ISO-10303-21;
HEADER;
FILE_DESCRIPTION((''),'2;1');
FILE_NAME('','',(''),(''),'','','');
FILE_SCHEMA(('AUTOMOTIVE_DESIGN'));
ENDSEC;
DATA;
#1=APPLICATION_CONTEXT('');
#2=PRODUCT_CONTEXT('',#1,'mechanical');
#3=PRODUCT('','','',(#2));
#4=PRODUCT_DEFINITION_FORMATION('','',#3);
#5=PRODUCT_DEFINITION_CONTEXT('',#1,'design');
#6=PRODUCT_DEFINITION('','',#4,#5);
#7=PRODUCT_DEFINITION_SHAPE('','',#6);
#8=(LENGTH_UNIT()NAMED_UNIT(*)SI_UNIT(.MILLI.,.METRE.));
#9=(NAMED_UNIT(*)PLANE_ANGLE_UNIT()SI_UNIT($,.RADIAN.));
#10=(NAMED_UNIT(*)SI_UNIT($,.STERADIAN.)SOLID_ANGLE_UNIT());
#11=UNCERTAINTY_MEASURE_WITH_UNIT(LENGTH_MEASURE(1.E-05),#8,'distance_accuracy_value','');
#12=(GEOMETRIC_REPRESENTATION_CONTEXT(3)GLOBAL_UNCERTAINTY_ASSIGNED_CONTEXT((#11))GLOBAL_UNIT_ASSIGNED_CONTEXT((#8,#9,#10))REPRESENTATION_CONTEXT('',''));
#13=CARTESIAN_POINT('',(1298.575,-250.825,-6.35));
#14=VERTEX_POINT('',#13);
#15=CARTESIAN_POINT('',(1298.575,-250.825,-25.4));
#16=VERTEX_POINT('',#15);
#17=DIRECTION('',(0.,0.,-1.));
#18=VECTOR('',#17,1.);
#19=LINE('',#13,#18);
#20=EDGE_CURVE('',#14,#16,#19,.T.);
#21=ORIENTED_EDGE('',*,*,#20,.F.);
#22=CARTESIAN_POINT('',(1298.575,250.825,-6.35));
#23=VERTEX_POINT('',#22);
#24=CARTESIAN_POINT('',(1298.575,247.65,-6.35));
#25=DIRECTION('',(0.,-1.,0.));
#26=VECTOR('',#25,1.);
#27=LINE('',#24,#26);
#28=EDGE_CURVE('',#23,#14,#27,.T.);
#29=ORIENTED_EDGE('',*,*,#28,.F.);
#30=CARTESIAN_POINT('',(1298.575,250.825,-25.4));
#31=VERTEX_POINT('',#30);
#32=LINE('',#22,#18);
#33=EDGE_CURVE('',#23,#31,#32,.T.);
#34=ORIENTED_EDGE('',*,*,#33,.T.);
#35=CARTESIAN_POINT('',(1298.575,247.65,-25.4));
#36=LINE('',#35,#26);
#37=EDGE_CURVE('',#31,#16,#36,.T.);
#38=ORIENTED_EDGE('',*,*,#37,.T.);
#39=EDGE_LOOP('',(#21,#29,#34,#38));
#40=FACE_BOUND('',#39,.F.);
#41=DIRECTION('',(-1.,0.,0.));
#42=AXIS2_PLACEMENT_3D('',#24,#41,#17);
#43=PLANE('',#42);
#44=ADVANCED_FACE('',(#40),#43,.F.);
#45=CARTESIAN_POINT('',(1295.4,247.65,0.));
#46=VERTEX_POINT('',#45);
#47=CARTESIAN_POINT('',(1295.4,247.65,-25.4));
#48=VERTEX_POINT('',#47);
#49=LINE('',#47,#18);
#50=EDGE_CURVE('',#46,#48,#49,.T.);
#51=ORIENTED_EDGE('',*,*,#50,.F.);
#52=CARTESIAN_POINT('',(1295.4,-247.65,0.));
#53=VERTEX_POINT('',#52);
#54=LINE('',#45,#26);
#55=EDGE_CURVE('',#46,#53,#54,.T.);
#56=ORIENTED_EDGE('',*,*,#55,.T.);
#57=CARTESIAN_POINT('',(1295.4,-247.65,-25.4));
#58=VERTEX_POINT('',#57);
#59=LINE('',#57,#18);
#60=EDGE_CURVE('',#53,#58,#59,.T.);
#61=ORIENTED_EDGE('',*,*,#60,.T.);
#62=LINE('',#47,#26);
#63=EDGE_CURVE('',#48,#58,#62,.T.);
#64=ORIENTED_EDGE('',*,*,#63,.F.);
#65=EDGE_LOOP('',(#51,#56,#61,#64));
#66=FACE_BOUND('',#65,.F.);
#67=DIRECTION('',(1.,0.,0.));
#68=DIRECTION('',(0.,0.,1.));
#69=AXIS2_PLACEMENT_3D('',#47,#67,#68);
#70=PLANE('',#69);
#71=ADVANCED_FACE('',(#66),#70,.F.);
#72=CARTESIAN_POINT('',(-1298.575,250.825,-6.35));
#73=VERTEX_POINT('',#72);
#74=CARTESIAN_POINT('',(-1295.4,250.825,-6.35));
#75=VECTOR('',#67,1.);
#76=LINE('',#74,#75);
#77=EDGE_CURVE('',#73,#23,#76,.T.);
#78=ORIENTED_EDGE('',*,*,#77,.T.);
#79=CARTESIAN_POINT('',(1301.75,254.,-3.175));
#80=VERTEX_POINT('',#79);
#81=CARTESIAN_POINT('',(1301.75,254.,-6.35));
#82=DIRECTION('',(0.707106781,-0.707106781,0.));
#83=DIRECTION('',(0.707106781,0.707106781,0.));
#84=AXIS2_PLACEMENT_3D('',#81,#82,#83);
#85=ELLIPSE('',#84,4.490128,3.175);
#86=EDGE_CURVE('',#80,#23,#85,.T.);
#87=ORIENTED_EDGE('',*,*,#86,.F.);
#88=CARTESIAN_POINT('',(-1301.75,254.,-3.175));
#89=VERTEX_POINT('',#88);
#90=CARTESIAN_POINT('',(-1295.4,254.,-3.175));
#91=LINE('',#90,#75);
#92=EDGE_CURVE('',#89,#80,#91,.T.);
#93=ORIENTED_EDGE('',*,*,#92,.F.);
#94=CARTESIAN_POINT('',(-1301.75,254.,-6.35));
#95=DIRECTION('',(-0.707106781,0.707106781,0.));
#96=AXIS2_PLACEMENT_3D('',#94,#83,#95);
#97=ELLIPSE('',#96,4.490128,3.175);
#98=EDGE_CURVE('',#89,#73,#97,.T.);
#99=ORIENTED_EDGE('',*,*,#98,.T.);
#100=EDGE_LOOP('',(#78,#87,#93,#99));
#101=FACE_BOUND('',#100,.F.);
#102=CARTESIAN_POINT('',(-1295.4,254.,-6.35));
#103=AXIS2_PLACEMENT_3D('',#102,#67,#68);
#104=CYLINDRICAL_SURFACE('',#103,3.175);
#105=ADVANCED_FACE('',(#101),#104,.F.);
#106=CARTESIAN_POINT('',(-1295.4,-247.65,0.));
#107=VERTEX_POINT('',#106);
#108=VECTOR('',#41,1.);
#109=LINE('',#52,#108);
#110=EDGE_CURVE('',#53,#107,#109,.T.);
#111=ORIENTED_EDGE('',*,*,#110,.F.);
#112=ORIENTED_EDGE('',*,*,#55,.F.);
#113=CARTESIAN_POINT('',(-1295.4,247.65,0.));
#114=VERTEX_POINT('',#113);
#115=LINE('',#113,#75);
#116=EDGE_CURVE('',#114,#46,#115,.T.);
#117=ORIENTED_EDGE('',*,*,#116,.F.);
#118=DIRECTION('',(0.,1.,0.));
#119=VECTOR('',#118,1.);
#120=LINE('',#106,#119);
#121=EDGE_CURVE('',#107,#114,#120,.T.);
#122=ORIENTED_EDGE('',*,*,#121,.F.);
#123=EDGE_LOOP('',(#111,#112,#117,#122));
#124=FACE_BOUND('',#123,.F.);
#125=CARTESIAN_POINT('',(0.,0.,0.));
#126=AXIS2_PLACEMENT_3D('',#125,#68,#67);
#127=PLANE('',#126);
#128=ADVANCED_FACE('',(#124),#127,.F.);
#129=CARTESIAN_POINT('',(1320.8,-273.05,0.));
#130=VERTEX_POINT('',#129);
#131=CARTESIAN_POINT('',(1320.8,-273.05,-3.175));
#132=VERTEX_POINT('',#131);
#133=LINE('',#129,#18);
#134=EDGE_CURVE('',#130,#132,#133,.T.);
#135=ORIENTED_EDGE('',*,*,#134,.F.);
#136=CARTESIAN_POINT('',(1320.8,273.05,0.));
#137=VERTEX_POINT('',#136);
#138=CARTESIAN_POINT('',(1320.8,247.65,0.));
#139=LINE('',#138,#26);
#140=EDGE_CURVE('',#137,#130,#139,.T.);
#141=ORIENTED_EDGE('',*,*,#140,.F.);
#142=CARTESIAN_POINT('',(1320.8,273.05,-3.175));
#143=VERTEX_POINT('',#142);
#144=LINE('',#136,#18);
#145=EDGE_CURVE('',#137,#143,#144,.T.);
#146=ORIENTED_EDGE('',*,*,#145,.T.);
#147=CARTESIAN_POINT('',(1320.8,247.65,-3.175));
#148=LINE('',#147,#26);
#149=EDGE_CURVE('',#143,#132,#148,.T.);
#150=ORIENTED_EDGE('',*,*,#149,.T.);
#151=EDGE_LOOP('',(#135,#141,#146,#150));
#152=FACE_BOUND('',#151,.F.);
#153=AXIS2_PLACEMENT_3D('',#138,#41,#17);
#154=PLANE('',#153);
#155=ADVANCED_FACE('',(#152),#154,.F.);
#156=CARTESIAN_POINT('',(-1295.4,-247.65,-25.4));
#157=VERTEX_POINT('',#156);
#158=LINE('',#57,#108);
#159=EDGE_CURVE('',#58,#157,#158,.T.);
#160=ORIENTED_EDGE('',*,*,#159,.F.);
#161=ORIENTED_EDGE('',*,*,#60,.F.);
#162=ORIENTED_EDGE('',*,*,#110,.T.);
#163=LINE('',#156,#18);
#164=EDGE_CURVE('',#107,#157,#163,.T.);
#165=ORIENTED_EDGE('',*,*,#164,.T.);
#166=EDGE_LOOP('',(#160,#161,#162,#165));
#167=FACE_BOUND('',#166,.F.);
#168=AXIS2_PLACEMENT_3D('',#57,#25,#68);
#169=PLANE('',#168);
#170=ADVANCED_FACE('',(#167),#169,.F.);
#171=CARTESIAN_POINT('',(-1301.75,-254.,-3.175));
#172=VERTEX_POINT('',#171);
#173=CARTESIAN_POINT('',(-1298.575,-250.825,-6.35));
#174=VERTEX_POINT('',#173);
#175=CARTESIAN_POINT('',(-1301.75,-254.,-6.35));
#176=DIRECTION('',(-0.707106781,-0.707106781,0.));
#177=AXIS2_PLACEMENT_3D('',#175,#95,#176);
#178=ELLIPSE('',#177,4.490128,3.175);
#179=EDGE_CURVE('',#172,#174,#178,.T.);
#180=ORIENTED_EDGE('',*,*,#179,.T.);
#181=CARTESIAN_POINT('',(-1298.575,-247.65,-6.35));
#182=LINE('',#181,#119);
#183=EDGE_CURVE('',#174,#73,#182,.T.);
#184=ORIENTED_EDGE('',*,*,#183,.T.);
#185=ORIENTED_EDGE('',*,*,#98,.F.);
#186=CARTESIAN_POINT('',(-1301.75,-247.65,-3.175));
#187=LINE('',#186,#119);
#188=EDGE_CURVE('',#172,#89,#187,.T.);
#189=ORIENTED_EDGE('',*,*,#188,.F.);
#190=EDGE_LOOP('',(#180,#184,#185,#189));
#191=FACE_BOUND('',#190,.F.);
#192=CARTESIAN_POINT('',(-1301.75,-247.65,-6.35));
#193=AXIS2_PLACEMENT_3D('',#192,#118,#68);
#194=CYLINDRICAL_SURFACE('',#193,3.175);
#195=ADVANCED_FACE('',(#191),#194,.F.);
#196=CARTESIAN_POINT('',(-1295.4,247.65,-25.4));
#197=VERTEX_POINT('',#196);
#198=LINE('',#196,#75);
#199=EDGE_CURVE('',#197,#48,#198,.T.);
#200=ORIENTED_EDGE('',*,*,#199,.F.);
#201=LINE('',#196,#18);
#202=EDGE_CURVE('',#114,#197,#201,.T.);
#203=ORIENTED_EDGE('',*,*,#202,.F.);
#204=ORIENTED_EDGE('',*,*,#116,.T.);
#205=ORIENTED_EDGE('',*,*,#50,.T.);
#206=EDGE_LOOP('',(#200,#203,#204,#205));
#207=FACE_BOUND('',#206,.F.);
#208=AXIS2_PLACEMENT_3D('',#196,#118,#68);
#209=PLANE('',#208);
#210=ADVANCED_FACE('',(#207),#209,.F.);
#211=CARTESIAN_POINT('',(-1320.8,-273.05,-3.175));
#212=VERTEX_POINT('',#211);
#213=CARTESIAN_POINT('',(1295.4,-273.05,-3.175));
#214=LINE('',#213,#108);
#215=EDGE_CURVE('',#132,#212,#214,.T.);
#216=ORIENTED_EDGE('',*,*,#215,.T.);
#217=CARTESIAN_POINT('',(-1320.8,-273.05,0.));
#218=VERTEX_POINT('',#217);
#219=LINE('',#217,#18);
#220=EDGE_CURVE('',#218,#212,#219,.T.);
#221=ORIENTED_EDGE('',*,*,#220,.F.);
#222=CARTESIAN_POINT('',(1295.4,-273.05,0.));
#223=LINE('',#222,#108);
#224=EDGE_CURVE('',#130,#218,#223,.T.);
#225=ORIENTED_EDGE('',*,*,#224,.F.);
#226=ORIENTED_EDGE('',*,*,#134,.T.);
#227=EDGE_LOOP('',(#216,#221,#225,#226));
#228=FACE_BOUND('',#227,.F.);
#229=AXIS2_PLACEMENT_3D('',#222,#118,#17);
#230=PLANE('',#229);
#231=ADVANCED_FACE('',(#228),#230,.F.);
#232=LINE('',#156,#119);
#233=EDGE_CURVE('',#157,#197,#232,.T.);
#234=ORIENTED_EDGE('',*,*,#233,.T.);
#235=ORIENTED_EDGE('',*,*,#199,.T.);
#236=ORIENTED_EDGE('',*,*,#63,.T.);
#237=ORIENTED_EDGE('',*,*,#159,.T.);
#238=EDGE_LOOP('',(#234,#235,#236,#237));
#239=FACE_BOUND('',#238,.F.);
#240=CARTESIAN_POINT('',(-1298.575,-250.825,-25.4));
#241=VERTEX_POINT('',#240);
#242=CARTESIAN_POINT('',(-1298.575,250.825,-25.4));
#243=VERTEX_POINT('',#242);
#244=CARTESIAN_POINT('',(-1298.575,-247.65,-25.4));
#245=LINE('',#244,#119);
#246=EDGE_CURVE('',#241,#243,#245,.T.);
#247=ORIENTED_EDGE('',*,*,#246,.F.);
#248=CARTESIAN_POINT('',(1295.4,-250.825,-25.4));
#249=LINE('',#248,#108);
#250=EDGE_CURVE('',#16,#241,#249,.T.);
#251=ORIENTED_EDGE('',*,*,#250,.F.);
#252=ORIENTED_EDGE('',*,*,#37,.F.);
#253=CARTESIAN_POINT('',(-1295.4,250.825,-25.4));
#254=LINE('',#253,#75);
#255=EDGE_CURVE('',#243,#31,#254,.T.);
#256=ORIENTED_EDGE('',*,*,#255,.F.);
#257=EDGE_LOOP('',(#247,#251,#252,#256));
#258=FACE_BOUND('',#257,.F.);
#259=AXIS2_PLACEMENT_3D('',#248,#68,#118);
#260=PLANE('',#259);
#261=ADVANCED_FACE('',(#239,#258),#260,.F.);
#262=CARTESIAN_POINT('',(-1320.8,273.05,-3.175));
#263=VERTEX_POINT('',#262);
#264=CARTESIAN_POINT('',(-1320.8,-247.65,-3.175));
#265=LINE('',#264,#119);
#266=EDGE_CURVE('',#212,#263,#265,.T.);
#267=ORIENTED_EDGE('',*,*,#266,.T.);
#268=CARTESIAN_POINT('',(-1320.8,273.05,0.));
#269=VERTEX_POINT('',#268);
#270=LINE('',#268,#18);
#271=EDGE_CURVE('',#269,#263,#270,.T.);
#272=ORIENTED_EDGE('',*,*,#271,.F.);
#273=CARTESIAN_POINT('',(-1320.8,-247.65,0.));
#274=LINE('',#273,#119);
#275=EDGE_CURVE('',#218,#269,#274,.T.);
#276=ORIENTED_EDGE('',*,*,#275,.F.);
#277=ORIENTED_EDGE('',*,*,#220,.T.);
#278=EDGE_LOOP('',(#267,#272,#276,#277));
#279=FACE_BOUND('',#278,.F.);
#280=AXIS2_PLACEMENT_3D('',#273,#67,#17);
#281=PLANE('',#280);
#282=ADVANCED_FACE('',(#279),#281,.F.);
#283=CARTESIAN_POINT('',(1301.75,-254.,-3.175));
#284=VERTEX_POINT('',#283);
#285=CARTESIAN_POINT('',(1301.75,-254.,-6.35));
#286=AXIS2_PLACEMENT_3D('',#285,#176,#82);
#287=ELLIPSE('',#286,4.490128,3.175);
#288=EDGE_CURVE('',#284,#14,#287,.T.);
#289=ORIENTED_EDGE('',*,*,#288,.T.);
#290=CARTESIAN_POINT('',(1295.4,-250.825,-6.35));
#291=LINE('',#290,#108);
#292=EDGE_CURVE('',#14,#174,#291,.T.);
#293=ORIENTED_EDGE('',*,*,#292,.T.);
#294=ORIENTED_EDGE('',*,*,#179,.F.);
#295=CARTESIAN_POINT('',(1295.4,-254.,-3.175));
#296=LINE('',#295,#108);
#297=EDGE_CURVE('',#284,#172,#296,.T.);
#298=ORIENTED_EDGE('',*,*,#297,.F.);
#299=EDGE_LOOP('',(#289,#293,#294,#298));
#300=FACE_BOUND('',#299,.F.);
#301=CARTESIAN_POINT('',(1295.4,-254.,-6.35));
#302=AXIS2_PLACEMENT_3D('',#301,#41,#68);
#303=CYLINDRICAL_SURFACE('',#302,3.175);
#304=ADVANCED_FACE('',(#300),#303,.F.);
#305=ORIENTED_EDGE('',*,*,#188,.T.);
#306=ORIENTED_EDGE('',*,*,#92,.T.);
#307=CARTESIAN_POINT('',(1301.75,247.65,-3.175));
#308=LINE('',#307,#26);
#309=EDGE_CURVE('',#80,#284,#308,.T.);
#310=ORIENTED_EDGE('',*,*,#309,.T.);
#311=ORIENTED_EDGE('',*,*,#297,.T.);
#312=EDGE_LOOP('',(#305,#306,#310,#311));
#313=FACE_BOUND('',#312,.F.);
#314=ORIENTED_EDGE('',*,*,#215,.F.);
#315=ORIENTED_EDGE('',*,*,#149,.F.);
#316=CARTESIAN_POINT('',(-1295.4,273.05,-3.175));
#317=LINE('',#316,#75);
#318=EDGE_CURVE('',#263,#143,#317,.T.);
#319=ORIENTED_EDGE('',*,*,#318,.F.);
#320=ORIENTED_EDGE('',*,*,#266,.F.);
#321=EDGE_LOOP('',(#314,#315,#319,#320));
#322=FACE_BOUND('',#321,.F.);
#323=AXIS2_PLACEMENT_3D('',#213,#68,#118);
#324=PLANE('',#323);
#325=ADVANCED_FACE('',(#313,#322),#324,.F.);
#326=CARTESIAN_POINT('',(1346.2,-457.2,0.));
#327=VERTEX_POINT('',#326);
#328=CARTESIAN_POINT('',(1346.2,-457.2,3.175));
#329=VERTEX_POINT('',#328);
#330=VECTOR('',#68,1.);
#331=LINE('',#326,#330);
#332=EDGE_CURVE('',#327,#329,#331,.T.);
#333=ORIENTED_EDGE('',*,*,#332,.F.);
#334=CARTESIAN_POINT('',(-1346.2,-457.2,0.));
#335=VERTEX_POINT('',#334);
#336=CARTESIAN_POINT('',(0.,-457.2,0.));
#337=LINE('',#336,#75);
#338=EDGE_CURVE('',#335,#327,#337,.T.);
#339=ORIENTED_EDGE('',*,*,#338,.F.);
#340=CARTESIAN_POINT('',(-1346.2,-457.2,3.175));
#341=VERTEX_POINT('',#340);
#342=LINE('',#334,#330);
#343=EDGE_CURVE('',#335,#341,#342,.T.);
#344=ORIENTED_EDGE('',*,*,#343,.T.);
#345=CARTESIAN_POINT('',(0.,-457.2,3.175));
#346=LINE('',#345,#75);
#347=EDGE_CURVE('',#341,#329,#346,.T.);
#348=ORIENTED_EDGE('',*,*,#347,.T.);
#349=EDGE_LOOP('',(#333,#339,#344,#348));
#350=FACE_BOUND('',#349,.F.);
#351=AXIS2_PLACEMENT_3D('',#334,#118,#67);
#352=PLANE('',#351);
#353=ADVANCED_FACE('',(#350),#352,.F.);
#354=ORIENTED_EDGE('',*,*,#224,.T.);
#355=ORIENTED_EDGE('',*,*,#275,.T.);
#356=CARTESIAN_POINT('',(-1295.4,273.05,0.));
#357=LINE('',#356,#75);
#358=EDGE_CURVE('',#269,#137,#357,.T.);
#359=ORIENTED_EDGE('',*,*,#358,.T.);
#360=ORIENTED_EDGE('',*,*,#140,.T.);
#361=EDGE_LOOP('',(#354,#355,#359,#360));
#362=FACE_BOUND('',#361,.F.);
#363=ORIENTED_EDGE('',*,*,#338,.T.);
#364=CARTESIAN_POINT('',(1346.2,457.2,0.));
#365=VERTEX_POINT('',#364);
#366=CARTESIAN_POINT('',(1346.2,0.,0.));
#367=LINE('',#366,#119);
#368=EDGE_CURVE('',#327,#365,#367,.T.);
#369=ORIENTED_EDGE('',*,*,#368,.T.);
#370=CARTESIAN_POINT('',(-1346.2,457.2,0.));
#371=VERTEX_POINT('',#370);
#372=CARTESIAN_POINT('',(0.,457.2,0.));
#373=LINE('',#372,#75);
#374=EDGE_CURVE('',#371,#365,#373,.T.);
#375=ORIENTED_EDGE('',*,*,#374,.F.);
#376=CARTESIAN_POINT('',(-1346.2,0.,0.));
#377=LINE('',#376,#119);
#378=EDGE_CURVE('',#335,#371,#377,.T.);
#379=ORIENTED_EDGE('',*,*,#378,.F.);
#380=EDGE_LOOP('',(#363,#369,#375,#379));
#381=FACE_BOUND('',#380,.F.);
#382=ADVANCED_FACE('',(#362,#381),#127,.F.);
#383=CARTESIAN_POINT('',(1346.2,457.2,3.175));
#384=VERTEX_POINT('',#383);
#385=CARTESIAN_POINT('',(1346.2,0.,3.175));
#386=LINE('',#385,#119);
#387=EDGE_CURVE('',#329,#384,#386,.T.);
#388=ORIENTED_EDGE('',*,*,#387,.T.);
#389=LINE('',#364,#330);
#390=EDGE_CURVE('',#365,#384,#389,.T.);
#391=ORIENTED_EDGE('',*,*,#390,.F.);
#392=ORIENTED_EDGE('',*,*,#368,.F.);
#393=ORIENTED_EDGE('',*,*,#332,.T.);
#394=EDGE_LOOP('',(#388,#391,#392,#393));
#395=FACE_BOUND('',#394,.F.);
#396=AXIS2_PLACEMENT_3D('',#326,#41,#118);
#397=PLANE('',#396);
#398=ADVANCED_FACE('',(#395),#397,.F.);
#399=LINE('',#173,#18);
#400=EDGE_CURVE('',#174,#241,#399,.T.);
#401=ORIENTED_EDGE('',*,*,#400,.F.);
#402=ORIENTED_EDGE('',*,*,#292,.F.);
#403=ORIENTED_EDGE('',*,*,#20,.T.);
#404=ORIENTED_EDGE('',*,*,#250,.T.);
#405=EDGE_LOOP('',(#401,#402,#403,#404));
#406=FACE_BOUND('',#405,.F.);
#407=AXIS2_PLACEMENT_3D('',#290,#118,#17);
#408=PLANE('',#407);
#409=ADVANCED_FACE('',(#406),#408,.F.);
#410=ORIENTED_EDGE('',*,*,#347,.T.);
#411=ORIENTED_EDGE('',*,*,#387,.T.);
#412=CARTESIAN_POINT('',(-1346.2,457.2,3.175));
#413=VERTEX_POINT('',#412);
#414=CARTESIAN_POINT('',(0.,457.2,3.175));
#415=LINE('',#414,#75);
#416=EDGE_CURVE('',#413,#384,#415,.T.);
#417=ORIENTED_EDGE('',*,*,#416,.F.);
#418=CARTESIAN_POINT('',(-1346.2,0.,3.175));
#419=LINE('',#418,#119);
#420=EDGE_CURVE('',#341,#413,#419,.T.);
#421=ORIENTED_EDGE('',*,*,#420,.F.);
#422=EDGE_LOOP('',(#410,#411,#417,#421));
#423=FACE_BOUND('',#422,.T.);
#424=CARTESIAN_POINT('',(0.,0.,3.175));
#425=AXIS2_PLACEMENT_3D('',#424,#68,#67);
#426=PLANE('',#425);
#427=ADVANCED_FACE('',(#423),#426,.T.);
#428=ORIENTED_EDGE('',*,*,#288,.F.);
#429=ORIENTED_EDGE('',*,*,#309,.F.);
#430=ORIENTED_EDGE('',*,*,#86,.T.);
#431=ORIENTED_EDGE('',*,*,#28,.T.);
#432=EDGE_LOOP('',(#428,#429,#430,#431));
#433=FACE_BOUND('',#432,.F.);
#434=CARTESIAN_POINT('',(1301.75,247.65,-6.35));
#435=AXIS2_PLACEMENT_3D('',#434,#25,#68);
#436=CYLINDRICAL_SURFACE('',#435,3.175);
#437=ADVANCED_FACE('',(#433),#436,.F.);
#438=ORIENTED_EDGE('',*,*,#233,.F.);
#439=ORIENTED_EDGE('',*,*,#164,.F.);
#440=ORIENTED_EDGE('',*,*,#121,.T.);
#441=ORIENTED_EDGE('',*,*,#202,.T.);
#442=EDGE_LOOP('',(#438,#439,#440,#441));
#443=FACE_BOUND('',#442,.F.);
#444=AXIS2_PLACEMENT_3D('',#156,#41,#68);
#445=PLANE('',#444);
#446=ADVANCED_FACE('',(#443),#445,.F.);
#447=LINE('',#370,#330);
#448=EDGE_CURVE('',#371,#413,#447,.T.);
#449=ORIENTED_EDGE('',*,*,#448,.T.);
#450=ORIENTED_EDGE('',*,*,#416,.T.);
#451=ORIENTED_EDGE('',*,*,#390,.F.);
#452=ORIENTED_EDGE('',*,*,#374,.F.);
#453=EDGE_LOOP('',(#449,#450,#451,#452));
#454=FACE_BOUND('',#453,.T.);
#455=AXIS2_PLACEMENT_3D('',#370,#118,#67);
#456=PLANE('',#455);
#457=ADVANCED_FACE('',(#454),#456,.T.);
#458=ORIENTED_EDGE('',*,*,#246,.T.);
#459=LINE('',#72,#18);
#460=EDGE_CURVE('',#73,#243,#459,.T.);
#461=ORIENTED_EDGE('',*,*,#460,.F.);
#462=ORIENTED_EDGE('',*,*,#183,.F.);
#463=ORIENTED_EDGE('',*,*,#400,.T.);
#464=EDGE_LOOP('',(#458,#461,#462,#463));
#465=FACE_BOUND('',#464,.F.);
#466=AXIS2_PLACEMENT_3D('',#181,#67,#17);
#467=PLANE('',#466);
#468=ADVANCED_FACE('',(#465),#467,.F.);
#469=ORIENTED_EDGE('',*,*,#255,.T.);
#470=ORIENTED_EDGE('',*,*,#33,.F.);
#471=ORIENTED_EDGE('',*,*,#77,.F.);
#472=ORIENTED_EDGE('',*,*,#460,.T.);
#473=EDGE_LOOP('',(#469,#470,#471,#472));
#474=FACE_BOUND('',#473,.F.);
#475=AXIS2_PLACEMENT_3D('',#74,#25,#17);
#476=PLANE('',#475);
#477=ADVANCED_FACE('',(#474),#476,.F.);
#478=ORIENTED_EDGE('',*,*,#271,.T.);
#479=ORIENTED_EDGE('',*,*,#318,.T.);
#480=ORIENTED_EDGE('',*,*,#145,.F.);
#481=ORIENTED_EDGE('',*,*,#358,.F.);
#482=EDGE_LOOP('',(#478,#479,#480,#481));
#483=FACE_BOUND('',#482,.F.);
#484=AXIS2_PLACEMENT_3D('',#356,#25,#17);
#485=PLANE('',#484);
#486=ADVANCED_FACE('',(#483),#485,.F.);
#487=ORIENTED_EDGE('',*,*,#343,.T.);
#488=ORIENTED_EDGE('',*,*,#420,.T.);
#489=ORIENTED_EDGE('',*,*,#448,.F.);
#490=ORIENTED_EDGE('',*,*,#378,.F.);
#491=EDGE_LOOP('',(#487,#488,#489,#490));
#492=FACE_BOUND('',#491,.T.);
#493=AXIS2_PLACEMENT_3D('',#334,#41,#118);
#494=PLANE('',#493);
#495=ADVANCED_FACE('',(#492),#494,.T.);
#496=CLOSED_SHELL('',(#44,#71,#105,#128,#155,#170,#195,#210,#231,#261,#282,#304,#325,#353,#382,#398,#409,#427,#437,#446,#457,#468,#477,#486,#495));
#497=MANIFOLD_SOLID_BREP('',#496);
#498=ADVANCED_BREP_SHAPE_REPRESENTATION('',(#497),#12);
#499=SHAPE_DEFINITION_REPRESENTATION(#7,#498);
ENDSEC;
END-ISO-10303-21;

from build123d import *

# Parameters (mm, degrees)
F0_W     = 2692.4
F0_H     = 914.4
F1_DEPTH = 3.175


with BuildPart() as f1:
    # F0 (on Top) → F1 (new body)
    with BuildSketch(Plane.XY):
        Rectangle(F0_W, F0_H)
    extrude(amount=F1_DEPTH)

    # F4: sweep along a path in F2
    with BuildLine(Plane(origin=(0, 0, 0), x_dir=(1, 0, 0), z_dir=(0, 0, -1))) as f4_path:
        Line((-1295.4, 247.65), (-1295.4, -247.65))
        Line((-1295.4, -247.65), (1295.4, -247.65))
        Line((1295.4, -247.65), (1295.4, 247.65))
        Line((1295.4, 247.65), (-1295.4, 247.65))
    # F3 (on Front) → F4 (sweep)
    with BuildSketch(Plane.XZ):
        with BuildLine():
            Line((-1295.4, -25.4), (-1295.4, 0))
            Line((-1295.4, 0), (-1320.8, 0))
            Line((-1320.8, 0), (-1320.8, -3.175))
            Line((-1320.8, -3.175), (-1301.75, -3.175))
            ThreePointArc((-1301.75, -3.175), (-1299.5049359697, -4.1049359697), (-1298.575, -6.35))
            Line((-1298.575, -6.35), (-1298.575, -25.4))
            Line((-1298.575, -25.4), (-1295.4, -25.4))
        make_face()
    sweep(path=f4_path.line, transition=Transition.RIGHT)


solid = f1.part
